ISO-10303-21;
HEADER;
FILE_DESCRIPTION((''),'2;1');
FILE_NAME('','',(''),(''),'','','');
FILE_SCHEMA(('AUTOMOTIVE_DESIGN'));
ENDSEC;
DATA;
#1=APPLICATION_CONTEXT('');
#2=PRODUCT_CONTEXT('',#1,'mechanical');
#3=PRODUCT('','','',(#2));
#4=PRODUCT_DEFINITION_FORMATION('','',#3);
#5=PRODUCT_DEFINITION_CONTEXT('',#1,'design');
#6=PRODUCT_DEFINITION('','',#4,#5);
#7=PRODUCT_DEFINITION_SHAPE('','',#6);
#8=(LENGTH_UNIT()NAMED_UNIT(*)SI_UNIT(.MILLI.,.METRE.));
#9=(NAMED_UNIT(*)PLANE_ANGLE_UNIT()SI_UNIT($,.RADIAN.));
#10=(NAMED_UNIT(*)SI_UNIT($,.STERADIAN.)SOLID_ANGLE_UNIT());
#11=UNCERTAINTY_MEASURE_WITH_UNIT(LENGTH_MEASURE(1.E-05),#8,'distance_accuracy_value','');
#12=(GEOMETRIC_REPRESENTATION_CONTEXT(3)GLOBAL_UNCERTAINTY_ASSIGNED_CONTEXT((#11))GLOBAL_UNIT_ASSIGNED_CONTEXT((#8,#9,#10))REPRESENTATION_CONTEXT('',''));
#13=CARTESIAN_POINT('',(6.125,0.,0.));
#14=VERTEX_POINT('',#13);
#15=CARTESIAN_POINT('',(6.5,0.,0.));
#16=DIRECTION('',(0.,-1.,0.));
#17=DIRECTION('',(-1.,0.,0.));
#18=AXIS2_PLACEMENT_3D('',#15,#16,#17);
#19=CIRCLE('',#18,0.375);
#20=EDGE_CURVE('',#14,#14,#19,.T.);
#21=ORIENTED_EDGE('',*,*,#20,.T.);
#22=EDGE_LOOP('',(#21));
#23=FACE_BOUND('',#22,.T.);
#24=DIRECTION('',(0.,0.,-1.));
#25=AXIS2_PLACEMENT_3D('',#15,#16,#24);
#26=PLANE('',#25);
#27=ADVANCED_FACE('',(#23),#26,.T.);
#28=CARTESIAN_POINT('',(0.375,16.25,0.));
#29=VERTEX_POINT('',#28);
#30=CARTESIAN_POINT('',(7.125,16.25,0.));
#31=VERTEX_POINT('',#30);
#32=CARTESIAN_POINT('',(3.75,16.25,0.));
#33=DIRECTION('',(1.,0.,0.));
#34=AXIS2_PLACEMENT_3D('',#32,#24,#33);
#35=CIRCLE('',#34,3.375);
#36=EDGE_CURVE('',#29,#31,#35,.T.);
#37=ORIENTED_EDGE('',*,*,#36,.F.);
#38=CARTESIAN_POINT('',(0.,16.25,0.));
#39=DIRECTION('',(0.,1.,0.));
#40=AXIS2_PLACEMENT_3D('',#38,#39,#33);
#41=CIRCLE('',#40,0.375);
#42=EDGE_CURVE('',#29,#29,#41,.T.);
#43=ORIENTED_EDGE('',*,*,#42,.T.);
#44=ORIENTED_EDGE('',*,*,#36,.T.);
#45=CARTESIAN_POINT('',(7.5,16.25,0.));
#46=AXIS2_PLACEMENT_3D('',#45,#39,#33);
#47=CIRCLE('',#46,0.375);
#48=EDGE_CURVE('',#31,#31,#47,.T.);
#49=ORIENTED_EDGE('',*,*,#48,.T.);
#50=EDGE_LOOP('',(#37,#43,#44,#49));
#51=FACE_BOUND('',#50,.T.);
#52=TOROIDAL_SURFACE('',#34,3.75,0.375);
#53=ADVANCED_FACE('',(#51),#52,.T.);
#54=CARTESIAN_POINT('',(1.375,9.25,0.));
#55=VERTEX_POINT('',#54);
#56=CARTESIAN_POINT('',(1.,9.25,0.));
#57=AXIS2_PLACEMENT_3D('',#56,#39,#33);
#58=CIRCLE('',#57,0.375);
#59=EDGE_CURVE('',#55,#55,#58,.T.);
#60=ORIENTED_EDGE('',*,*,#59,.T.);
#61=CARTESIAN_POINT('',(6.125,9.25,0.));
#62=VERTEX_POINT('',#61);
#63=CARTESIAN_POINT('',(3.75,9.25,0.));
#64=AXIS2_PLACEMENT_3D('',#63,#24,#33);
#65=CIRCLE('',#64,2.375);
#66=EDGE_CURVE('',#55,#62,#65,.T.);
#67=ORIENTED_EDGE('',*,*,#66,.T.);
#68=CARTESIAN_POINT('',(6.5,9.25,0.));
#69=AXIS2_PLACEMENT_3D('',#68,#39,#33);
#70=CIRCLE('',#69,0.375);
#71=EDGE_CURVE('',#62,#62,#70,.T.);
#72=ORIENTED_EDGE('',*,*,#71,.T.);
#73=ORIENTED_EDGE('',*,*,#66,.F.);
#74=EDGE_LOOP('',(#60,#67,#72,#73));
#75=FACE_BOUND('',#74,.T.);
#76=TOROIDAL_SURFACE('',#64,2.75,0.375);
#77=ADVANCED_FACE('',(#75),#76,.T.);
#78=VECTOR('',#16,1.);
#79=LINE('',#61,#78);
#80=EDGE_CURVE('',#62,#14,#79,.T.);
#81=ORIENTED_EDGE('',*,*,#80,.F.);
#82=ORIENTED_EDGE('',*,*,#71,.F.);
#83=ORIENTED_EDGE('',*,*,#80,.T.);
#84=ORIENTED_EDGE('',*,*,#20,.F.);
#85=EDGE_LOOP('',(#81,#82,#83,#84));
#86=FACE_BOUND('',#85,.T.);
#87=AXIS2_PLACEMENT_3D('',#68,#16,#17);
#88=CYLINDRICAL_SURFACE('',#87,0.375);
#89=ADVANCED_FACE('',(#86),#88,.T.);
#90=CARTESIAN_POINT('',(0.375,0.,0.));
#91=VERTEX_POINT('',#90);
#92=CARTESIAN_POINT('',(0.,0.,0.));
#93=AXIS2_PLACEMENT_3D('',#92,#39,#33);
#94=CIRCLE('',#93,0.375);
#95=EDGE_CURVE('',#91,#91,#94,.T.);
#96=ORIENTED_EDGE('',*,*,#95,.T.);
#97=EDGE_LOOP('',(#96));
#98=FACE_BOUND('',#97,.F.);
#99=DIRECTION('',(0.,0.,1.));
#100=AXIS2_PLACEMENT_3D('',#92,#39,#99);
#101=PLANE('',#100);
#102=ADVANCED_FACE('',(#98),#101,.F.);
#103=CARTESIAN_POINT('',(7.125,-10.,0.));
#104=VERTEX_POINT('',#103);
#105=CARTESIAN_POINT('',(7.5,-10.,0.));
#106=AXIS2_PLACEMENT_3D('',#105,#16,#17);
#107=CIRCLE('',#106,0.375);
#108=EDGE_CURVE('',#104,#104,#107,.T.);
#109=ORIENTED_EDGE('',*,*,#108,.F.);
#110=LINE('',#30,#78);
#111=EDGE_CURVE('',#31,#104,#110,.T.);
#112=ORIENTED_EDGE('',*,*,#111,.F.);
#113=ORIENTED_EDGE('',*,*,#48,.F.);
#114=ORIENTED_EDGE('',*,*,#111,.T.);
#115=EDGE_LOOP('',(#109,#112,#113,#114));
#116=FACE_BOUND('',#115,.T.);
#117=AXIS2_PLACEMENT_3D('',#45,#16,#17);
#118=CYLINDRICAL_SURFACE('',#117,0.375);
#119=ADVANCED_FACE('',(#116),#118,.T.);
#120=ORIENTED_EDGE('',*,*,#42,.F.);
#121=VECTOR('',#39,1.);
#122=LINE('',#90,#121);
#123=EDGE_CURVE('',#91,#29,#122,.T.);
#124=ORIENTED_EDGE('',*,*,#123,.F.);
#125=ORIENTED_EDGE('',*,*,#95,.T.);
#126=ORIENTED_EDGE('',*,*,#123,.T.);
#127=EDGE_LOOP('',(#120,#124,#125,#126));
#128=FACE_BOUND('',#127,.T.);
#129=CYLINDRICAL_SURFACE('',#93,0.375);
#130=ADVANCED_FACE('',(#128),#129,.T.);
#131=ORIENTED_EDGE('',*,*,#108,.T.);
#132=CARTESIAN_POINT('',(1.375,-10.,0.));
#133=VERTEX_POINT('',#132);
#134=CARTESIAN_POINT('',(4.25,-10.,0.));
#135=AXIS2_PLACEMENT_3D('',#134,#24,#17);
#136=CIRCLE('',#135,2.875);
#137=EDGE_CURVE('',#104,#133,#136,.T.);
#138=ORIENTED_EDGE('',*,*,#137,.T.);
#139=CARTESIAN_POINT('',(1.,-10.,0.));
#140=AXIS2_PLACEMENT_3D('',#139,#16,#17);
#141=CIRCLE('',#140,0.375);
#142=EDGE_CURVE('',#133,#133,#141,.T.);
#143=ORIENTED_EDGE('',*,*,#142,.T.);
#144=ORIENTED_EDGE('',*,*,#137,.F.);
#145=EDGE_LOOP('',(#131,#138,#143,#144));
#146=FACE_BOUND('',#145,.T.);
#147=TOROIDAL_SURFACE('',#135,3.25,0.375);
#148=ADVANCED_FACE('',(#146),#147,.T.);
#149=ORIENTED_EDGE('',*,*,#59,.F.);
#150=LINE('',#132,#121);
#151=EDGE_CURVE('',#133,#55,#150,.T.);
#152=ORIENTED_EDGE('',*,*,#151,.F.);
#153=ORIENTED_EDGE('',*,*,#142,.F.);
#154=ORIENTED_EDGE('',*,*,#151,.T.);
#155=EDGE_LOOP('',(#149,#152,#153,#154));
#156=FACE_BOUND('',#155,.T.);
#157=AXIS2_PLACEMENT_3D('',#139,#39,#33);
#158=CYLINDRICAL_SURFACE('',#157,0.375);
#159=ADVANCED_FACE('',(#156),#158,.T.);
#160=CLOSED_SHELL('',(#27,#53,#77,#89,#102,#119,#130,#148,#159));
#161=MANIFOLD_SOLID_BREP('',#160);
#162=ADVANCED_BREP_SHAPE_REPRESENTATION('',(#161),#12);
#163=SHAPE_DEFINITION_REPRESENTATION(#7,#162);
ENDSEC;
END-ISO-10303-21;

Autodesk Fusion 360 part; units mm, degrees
sketch "Skizze1" plane through (0, 0, 0) normal (0, 0, 1) x (1, 0, 0)
  line L0 (0, 0) -> (0, 16.25)
  line L1 (0, 16.25) -> (7.5, 16.25) construction
  line L2 (7.5, 16.25) -> (7.5, -10)
  line L3 (7.5, -10) -> (1, -10) construction
  line L4 (1, -10) -> (1, 9.25)
  line L5 (1, 9.25) -> (6.5, 9.25) construction
  line L6 (6.5, 9.25) -> (6.5, 0)
  arc A0 (7.5, 16.25) -> (0, 16.25) centre (3.75, 16.25) ccw
  arc A1 (6.5, 9.25) -> (1, 9.25) centre (3.75, 9.25) ccw
  arc A2 (1, -10) -> (7.5, -10) centre (4.25, -10) ccw
  dimension "d1" = 16.25
  dimension "d2" = 7.5
  dimension "d3" = 26.25
  dimension "d4" = 6.5
  dimension "d5" = 19.25
  dimension "d6" = 5.5
  dimension "d7" = 9.25
sketch "Skizze2" plane through (0, 0, 0) normal (0, 1, 0) x (1, 0, 0)
  circle A0 centre (0, 0) radius 0.375
  dimension "d8" = 0.75
sweep "Sweeping1" add profiles "Skizze2" path "Skizze1" along L0 A0 L2 A2 L4 A1 L6 section 1
